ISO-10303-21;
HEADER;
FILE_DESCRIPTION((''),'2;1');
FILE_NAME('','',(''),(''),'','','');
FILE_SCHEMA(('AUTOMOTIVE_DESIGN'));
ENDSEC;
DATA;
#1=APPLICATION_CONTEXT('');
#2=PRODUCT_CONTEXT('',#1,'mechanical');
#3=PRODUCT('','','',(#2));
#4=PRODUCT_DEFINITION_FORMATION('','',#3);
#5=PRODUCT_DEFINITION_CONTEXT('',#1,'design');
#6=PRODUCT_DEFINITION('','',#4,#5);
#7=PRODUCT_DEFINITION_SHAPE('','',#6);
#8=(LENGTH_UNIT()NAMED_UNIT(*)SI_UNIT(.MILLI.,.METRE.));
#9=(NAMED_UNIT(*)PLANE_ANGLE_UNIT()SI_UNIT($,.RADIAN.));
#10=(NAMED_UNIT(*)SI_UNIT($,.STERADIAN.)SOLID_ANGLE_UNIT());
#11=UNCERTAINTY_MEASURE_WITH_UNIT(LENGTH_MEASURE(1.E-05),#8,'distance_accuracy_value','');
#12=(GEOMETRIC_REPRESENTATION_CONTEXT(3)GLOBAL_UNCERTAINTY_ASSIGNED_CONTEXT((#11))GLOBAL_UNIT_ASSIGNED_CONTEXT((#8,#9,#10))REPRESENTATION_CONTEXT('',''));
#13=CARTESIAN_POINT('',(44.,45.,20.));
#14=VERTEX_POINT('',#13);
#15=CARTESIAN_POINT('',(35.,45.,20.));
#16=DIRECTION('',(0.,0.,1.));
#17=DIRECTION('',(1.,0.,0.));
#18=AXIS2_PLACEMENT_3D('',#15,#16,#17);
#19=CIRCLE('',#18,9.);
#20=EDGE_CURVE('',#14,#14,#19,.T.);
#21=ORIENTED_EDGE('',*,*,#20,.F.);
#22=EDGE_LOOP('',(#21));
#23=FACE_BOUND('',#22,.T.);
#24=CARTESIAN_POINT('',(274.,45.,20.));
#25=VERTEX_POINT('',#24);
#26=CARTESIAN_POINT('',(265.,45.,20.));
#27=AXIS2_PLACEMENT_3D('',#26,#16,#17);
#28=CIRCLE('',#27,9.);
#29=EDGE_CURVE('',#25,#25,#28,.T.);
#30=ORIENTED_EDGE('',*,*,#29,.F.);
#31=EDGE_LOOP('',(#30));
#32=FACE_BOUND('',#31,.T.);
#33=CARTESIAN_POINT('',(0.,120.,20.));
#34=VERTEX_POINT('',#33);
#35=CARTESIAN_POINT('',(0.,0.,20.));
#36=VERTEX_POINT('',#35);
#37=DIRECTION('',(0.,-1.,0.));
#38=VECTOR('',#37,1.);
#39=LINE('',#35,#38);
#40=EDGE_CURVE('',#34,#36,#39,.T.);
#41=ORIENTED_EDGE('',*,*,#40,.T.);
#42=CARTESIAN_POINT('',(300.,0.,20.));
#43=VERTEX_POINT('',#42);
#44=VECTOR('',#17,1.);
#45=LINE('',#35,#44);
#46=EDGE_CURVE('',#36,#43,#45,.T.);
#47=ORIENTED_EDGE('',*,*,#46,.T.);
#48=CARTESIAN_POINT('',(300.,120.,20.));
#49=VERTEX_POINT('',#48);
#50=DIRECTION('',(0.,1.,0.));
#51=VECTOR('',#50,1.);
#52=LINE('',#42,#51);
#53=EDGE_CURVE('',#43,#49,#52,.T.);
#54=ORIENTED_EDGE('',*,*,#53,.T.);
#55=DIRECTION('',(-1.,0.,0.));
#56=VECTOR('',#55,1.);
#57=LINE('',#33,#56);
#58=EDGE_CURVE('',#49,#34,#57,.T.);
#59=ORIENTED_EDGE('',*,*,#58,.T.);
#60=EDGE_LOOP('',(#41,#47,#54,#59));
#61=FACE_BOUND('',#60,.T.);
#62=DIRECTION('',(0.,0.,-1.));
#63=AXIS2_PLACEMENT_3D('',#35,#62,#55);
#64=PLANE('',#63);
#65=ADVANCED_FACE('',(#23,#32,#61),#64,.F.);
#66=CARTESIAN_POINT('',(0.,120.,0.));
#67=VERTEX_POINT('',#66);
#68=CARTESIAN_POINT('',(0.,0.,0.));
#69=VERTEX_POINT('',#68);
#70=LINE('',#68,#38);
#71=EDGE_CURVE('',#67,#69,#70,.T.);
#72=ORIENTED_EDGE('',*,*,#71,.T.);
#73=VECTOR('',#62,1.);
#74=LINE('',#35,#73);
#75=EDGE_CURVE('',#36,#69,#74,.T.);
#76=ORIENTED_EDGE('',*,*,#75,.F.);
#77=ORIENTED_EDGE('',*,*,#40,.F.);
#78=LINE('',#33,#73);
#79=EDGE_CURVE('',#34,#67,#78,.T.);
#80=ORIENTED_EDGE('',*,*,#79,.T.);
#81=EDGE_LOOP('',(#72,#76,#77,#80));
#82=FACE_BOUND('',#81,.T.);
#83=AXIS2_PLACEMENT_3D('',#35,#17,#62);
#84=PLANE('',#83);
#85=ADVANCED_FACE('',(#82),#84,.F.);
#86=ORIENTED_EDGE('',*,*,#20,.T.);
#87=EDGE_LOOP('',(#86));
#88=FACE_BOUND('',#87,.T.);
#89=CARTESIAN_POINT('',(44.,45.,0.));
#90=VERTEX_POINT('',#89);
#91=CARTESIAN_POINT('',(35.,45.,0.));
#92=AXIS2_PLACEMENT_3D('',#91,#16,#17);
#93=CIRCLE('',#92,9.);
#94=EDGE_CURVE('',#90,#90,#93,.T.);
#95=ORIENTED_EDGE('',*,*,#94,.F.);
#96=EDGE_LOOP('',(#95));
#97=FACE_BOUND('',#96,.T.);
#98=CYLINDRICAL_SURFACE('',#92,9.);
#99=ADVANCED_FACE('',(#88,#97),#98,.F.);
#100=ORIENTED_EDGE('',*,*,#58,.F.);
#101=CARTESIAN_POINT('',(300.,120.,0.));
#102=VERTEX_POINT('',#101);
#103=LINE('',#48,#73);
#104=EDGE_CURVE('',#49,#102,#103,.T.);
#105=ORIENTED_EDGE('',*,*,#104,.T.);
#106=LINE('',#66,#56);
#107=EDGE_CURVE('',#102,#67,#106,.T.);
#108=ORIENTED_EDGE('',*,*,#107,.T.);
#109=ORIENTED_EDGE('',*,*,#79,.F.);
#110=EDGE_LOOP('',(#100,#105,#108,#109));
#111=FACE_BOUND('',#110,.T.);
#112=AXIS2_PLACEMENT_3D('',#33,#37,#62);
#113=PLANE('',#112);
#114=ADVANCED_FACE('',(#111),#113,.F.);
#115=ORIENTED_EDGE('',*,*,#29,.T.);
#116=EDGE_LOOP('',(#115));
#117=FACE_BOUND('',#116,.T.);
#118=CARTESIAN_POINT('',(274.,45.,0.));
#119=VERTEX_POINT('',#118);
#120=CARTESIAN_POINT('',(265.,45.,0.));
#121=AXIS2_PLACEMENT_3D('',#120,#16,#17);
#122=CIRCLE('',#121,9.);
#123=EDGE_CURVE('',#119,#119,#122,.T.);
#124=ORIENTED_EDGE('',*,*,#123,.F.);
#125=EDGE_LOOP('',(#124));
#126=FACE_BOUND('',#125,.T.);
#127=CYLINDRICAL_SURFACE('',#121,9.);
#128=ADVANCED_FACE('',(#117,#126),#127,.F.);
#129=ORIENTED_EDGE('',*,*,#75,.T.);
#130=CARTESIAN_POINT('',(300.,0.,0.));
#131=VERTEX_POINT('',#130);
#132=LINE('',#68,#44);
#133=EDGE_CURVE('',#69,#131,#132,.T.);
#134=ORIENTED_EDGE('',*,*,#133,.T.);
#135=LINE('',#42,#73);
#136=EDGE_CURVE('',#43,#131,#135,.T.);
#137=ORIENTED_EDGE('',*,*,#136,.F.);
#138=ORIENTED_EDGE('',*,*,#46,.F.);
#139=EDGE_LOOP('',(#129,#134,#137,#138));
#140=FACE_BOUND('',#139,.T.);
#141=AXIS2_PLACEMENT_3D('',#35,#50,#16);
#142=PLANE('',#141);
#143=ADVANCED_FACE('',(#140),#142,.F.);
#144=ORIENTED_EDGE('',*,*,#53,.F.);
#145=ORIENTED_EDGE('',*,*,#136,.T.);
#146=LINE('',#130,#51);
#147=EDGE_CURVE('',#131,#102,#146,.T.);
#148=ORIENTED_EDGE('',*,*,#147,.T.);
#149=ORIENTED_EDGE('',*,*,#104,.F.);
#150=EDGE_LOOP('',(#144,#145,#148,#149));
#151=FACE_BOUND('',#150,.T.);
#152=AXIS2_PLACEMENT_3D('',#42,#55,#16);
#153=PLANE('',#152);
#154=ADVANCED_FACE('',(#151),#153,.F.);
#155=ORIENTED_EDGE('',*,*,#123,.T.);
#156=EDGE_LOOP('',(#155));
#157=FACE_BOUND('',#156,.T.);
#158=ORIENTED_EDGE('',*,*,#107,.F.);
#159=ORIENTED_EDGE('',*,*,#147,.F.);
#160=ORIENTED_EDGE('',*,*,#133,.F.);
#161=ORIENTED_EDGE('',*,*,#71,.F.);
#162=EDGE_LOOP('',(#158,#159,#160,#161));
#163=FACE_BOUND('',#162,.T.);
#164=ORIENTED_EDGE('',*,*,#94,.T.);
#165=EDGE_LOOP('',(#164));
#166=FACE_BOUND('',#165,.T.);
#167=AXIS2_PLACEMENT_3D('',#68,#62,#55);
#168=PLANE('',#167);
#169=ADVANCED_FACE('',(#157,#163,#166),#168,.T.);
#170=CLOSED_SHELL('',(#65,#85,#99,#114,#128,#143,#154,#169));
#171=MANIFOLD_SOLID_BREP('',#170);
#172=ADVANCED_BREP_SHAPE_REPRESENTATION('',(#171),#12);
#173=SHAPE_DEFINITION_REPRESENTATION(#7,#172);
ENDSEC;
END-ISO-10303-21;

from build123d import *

# Parameters (mm, degrees)
SKETCH1_W           = 300
SKETCH1_H           = 120
BOSS_EXTRUDE1_DEPTH = 20
SKETCH2_R           = 9
CUT_EXTRUDE1_DEPTH  = 21


with BuildPart() as part:
    # Sketch1 → Boss-Extrude1 (new body)
    with BuildSketch(Plane.XY):
        with Locations((150, 60)):
            Rectangle(SKETCH1_W, SKETCH1_H)
    extrude(amount=BOSS_EXTRUDE1_DEPTH)

    # Sketch2 → Cut-Extrude1 (cut, through all)
    with BuildSketch(Plane.XY.offset(20)):
        with Locations((265, 45)):
            Circle(SKETCH2_R)
        with Locations((35, 45)):
            Circle(SKETCH2_R)
    extrude(amount=-CUT_EXTRUDE1_DEPTH, mode=Mode.SUBTRACT)


solid = part.part
